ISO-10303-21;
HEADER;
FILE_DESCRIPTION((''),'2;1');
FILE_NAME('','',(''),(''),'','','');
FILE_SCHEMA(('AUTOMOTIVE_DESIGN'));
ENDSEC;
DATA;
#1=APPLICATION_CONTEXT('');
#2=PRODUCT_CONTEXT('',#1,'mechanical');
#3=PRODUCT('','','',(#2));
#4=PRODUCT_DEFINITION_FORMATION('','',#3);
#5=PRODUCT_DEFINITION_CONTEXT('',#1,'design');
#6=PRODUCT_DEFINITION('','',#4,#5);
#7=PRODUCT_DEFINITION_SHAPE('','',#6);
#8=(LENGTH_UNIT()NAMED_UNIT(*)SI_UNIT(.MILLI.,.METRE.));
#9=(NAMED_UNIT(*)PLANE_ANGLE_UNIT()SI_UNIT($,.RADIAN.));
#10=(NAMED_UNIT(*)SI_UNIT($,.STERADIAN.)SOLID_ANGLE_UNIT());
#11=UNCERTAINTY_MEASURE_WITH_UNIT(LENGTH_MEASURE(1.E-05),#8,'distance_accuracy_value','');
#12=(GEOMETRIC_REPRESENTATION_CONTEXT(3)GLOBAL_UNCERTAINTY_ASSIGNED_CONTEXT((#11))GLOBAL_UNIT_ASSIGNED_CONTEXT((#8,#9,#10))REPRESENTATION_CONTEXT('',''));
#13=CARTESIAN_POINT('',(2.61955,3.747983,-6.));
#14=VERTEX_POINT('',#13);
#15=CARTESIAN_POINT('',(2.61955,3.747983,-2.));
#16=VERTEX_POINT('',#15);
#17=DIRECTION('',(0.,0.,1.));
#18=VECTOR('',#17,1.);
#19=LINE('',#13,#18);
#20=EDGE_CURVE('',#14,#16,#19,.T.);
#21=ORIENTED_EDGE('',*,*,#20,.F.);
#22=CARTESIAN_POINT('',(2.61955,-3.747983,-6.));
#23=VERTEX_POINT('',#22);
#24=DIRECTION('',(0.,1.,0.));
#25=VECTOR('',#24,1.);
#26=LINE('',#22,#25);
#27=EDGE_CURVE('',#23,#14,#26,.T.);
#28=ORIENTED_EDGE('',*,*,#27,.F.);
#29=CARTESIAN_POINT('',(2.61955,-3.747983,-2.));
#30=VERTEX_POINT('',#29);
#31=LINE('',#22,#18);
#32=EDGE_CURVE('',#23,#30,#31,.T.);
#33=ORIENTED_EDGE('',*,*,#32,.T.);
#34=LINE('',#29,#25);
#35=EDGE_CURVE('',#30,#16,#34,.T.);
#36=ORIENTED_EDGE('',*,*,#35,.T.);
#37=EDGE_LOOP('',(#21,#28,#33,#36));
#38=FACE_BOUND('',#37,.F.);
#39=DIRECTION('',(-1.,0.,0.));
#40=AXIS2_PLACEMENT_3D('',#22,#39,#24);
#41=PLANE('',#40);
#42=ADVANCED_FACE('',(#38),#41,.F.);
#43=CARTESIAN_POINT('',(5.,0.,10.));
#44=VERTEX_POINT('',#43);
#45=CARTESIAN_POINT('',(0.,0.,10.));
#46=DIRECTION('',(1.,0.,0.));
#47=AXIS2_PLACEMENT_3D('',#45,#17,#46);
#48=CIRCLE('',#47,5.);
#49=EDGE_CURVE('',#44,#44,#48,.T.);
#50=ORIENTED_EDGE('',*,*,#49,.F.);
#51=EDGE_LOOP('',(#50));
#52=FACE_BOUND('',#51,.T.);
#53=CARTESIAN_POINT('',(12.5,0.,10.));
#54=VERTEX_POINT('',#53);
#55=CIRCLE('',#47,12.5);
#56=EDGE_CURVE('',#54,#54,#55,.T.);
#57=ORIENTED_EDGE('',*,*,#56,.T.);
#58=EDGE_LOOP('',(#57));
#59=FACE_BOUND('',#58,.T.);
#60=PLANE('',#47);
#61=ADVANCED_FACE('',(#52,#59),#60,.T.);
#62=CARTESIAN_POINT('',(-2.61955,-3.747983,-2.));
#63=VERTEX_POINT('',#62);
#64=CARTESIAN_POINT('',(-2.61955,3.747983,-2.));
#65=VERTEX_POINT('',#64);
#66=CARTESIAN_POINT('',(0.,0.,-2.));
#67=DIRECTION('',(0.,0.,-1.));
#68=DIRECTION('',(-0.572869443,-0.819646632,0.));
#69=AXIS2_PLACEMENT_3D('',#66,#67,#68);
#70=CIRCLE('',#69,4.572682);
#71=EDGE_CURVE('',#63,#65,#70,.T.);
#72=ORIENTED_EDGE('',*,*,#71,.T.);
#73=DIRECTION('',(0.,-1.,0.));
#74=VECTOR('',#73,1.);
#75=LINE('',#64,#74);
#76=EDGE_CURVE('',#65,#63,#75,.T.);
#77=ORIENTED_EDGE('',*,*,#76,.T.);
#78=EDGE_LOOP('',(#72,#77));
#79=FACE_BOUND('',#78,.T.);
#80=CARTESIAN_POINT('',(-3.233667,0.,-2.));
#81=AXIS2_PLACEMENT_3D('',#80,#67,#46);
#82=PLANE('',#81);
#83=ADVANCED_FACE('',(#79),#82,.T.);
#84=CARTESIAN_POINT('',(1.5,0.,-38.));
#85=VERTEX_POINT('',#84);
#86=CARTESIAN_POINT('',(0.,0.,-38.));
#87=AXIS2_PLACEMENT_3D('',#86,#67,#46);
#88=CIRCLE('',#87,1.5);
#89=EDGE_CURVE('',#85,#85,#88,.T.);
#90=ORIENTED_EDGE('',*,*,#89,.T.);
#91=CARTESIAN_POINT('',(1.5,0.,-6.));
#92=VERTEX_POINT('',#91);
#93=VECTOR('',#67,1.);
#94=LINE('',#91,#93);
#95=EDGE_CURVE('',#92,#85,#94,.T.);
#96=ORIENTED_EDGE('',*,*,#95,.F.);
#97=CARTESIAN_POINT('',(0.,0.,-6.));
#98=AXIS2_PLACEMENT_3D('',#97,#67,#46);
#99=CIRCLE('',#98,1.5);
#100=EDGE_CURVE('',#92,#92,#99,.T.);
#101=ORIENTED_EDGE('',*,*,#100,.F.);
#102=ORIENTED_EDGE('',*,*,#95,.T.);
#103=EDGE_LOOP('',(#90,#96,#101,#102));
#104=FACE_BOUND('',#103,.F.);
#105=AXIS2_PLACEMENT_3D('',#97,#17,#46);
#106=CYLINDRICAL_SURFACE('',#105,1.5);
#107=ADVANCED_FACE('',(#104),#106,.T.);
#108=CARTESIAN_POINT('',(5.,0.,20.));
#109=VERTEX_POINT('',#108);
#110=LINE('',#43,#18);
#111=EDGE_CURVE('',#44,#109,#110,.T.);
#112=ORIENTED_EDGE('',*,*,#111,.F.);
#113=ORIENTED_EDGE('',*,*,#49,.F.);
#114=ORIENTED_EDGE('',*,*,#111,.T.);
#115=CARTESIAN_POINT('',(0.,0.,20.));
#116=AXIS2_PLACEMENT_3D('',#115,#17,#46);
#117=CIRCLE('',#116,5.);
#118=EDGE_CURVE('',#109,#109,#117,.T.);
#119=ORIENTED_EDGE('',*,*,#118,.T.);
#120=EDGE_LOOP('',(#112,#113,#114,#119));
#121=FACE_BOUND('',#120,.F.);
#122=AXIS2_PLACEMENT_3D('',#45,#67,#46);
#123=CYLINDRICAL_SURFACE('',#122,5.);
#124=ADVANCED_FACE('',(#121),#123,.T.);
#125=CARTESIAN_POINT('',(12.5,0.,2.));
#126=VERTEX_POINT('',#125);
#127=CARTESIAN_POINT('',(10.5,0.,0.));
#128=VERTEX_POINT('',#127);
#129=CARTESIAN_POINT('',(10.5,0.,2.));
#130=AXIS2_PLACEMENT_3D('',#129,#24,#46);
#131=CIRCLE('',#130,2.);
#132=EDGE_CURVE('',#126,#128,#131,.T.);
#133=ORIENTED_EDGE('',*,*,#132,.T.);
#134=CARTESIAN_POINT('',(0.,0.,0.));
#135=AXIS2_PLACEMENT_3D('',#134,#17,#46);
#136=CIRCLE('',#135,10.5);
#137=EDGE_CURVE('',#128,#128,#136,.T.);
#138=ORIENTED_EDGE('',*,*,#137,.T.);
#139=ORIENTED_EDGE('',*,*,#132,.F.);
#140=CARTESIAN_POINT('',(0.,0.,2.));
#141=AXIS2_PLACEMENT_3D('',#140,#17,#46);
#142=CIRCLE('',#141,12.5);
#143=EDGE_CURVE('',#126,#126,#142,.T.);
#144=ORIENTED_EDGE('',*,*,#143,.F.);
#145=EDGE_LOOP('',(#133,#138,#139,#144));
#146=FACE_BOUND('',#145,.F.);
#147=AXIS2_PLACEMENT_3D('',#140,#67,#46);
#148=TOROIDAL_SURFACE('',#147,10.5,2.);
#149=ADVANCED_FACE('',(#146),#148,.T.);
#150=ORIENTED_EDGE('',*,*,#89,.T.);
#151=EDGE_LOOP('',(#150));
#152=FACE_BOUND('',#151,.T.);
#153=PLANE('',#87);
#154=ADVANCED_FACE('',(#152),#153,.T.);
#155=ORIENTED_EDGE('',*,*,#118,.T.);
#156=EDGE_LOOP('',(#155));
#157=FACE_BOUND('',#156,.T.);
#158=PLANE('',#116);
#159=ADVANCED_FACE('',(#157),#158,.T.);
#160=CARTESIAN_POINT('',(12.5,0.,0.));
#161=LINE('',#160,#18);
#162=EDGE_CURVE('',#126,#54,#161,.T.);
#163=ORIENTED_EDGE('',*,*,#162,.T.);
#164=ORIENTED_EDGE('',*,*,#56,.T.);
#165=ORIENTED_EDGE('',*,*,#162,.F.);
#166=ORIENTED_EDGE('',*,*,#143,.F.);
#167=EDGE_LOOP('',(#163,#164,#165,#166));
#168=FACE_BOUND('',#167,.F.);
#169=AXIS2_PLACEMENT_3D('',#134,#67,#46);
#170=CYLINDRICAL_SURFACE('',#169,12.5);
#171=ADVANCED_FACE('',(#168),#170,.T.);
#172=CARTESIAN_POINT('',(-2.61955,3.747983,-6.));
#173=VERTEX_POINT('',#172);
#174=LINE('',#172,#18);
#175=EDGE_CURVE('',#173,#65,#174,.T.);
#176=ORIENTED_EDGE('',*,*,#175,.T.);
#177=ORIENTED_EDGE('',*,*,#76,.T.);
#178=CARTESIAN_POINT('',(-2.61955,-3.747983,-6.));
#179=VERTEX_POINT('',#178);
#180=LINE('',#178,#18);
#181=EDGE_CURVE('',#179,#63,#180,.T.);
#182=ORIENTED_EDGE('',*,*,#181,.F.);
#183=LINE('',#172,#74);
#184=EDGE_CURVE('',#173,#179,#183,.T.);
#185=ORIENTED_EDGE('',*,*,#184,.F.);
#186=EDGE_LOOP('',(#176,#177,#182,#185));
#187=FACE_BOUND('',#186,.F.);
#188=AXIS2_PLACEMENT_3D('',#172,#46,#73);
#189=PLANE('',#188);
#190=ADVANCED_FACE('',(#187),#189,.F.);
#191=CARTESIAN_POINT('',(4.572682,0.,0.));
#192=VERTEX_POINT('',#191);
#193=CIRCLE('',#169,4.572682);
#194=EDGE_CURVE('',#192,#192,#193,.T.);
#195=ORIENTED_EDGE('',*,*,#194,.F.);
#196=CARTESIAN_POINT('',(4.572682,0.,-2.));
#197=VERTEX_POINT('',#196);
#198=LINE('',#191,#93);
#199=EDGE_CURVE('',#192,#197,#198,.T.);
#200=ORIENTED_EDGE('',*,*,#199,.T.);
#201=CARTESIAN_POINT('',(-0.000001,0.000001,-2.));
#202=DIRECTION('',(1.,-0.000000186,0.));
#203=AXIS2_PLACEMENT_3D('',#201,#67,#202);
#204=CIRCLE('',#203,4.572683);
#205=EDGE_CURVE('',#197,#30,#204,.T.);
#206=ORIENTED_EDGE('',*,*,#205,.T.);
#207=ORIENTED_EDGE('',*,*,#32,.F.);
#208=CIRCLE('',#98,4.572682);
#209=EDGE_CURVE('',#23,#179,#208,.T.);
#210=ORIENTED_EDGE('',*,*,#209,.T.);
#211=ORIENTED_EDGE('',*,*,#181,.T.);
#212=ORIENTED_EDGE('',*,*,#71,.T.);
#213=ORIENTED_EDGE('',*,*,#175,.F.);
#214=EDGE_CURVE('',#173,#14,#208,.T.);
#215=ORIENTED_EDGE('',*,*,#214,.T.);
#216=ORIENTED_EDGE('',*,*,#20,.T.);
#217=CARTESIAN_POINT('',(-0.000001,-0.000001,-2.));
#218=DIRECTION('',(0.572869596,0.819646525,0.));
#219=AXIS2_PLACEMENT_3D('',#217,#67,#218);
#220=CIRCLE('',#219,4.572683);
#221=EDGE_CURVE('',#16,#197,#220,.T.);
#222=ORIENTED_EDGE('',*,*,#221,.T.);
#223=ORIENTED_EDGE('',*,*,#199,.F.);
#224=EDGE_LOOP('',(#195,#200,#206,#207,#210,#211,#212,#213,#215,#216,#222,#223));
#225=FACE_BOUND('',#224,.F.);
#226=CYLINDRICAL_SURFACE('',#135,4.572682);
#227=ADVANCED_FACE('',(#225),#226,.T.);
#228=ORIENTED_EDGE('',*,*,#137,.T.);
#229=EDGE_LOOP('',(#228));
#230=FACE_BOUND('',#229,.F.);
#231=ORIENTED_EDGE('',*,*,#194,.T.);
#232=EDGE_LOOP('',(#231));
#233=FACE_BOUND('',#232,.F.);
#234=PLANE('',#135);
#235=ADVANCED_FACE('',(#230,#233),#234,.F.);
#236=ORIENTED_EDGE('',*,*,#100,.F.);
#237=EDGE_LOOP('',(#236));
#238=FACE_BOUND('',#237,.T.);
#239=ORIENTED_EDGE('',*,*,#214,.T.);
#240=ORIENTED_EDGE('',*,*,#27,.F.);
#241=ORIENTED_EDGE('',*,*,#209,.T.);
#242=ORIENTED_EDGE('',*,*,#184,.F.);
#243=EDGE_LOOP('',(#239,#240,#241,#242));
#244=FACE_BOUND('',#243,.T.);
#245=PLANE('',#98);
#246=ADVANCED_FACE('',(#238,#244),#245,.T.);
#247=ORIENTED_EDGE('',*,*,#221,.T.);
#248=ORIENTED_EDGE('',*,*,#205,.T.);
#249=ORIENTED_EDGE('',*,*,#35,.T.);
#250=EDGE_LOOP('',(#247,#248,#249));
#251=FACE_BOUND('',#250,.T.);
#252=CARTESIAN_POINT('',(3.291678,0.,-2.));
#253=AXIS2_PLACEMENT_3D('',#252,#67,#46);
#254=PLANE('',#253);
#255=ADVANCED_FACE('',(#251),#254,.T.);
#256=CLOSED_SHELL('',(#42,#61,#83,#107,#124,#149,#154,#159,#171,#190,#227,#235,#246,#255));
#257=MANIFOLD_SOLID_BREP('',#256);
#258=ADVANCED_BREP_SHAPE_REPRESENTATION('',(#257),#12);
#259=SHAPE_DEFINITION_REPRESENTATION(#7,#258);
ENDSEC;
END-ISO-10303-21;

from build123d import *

# Parameters (mm, degrees)
F0_R      = 12.5
F1_DEPTH  = 10
F2_R      = 5
F3_DEPTH  = 10
F4_R      = 4.572682
F5_DEPTH  = 6
F6_R      = 1.5
F7_DEPTH  = 32
F8_R      = 2
F10_DEPTH = 4


with BuildPart() as f1:
    # F0 (on Top) → F1 (new body)
    with BuildSketch(Plane.XY):
        Circle(F0_R)
    extrude(amount=F1_DEPTH)

    # F2 (on face) → F3 (join)
    with BuildSketch(Plane.XY.offset(10)):
        Circle(F2_R)
    extrude(amount=F3_DEPTH)

    # F4 (on face) → F5 (join)
    with BuildSketch(Plane(origin=(0, 0, 0), x_dir=(1, 0, 0), z_dir=(0, 0, -1))):
        Circle(F4_R)
    extrude(amount=F5_DEPTH)

    # F6 (on face) → F7 (join)
    with BuildSketch(Plane(origin=(0, 0, -6), x_dir=(1, 0, 0), z_dir=(0, 0, -1))):
        Circle(F6_R)
    extrude(amount=F7_DEPTH)

    # F8
    f8_edges = [f1.edges().sort_by_distance(p)[0] for p in [
        (-12.5, 0, 0),
    ]]
    fillet(f8_edges, radius=F8_R)

    # F9 (on face) → F10 (cut)
    with BuildSketch(Plane(origin=(0, 0, -6), x_dir=(1, 0, 0), z_dir=(0, 0, -1))):
        with BuildLine():
            ThreePointArc((4.572682, 0), (4.055107, 2.113179), (2.61955, 3.747983))
            Line((2.61955, 3.747983), (2.61955, -3.747983))
            ThreePointArc((2.61955, -3.747983), (4.055107, -2.113179), (4.572682, 0))
        make_face()
        with BuildLine():
            Line((-2.61955, -3.747983), (-2.61955, 3.747983))
            ThreePointArc((-2.61955, 3.747983), (-4.572682, 0), (-2.61955, -3.747983))
        make_face()
    extrude(amount=-F10_DEPTH, mode=Mode.SUBTRACT)


solid = f1.part
